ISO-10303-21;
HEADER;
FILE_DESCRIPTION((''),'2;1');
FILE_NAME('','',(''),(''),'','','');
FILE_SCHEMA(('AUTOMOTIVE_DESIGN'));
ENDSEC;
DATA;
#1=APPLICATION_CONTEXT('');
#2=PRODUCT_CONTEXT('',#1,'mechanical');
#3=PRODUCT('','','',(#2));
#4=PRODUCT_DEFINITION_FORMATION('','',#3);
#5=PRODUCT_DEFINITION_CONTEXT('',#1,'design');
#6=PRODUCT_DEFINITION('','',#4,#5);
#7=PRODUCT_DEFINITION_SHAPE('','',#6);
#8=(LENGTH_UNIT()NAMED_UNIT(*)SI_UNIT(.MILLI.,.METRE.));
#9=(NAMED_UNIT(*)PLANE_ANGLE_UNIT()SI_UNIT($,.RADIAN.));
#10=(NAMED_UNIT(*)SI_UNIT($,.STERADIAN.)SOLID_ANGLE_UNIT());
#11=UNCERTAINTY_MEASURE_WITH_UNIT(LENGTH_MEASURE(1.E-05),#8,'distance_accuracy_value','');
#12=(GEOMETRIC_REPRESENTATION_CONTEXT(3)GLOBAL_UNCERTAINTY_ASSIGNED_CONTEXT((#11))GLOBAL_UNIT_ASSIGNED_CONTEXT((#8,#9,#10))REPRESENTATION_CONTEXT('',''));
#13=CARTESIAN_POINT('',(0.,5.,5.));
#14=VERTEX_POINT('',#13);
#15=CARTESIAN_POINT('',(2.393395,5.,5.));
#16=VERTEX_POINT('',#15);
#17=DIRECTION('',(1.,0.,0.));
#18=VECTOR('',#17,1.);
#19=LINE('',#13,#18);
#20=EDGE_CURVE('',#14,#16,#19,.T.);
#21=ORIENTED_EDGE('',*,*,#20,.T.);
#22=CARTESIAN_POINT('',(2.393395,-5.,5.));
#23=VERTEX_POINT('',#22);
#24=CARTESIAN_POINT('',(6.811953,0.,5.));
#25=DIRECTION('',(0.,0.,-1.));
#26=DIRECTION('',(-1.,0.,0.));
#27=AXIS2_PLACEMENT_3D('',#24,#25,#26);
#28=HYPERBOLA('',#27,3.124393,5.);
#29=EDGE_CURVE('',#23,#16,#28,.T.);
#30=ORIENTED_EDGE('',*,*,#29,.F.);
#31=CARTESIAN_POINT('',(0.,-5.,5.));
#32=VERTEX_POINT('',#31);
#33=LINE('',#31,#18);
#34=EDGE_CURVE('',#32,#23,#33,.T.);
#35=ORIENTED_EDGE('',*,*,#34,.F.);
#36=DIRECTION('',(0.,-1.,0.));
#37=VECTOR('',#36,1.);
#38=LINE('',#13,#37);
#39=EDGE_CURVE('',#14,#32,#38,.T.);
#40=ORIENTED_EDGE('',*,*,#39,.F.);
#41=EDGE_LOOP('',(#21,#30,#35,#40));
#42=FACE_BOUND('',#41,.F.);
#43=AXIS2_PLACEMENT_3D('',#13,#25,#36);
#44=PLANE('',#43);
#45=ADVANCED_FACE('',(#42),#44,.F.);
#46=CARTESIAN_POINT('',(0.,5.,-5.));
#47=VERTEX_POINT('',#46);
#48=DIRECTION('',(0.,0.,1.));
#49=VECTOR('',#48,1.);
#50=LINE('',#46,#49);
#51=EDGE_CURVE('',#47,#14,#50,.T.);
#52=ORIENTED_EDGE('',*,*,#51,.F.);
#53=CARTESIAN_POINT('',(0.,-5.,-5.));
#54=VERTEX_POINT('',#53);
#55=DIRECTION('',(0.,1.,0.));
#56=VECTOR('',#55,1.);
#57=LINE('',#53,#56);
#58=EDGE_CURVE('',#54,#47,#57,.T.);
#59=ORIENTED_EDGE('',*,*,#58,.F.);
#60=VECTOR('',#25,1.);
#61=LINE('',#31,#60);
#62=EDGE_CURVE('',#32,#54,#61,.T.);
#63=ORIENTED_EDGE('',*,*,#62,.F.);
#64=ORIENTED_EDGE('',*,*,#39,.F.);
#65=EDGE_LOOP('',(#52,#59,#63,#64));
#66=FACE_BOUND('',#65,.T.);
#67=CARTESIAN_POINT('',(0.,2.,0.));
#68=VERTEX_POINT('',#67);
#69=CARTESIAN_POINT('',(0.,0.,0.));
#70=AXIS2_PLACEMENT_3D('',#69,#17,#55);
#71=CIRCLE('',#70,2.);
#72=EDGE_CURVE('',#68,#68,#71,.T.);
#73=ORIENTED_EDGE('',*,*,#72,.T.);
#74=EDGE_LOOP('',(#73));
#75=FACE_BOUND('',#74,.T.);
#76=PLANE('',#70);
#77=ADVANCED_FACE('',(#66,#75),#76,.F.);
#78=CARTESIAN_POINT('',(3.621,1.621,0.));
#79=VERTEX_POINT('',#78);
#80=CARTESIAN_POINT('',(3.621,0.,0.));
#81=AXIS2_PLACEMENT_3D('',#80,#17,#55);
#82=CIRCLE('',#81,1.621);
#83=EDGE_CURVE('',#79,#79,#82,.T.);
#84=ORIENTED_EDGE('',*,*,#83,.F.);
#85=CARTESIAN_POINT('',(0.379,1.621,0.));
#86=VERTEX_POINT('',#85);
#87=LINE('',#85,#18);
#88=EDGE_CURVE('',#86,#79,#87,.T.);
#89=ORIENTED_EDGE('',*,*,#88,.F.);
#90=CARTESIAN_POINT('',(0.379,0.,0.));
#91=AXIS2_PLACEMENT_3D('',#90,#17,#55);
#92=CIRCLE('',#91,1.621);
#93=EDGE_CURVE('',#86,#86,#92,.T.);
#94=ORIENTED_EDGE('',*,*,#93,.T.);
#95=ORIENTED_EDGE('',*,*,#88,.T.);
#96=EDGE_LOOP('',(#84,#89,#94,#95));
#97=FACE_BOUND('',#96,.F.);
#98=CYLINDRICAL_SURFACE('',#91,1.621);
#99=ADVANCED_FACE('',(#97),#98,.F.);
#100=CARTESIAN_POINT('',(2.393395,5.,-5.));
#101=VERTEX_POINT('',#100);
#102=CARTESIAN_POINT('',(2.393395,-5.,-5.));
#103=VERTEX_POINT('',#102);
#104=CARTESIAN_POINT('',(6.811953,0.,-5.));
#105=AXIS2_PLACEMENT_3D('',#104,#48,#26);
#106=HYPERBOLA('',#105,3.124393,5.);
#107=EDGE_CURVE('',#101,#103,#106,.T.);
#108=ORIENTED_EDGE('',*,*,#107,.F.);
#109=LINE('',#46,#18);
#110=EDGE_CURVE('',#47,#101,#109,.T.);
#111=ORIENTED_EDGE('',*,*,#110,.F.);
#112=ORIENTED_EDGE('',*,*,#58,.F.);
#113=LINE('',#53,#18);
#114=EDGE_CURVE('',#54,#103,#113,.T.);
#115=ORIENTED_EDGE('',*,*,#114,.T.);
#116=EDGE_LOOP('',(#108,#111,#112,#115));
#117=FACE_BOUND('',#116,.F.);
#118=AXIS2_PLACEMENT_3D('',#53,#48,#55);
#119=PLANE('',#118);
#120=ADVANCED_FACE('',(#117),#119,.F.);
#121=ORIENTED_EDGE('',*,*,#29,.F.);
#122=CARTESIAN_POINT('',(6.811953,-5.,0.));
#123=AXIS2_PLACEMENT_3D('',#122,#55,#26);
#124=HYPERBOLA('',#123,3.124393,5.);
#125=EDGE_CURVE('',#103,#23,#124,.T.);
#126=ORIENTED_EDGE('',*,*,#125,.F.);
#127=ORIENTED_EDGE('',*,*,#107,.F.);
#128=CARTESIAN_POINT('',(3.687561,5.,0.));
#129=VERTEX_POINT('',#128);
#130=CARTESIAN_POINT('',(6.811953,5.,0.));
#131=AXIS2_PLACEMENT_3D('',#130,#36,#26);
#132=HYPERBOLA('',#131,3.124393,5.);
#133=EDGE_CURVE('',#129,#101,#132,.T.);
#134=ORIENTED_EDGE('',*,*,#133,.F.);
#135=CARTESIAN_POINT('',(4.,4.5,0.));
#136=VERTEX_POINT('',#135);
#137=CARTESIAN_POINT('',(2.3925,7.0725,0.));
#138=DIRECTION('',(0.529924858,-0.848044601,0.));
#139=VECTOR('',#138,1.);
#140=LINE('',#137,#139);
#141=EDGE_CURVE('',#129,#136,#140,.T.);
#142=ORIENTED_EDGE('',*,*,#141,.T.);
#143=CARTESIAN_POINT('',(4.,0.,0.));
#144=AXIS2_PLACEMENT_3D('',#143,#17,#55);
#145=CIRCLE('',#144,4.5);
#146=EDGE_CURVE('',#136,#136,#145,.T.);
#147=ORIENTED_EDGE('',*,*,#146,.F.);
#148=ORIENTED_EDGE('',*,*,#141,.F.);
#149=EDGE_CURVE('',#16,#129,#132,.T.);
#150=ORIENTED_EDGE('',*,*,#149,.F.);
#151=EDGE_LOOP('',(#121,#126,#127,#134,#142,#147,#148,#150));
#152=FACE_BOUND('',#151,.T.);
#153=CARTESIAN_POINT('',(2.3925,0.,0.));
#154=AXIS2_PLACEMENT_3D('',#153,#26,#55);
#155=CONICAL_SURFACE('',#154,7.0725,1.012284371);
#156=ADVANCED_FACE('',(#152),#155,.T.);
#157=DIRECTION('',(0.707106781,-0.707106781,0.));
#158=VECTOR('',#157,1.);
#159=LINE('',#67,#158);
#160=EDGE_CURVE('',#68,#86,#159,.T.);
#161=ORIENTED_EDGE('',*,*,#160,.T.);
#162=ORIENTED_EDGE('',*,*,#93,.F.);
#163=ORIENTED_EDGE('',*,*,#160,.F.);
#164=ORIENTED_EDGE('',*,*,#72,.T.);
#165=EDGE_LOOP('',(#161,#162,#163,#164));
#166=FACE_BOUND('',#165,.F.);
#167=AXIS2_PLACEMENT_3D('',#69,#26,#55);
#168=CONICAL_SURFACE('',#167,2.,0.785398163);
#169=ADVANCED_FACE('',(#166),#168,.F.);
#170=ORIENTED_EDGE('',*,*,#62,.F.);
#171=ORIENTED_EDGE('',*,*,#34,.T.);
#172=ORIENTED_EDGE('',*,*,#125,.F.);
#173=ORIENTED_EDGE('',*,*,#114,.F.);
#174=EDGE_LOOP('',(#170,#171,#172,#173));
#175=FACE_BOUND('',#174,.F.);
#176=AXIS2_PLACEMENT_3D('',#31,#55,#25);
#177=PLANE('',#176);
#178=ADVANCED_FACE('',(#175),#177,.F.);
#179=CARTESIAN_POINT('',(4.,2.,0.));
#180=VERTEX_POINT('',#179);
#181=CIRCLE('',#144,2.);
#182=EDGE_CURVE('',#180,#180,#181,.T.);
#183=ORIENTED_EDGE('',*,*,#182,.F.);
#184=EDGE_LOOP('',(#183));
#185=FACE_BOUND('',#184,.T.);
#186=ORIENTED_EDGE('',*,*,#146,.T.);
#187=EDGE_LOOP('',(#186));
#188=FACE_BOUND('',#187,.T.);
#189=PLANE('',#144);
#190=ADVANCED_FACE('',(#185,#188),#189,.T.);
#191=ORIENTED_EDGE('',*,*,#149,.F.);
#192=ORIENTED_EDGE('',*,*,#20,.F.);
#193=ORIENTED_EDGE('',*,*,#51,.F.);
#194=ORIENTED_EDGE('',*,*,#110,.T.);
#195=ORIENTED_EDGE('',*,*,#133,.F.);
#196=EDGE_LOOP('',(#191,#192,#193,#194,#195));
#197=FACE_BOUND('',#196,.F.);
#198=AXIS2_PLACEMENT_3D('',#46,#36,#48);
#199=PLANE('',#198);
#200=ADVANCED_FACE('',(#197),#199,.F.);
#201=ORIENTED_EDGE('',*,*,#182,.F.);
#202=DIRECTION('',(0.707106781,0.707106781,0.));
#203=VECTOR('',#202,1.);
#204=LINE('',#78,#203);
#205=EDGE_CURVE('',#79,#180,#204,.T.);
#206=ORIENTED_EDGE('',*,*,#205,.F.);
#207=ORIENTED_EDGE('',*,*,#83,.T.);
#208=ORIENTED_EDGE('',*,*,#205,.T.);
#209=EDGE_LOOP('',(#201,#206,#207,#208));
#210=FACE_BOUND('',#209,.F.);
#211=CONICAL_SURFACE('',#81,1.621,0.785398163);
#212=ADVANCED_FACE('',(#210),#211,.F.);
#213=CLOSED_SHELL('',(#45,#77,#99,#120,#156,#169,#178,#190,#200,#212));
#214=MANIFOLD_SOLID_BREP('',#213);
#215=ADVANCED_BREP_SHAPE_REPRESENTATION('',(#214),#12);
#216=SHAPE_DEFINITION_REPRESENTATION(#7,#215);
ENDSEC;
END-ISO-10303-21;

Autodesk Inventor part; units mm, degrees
ref_plane "YZ Plane" through (0, 0, 0) normal (1, 0, 0) x (0, 1, 0)
ref_plane "XZ Plane" through (0, 0, 0) normal (0, 1, 0) x (-1, 0, 0)
ref_plane "XY Plane" through (0, 0, 0) normal (0, 0, 1) x (1, 0, 0)
sketch "Skizze_1" plane through (0, 0, 0) normal (0, 0, 1) x (1, 0, 0)
  line L0 (4, 0) -> (0, 0)
  line L1 (0, 0) -> (0, 7.0725)
  line L2 (0, 7.0725) -> (2.3925, 7.0725)
  line L3 (2.3925, 7.0725) -> (4, 4.5)
  line L4 (4, 4.5) -> (4, 0)
  line L5 (4, 0) -> (0, 0)
revolve "Revolution1" add sketch "Skizze_1" angle 360 about axis through (4, 0, 0) along (1, 0, 0)
sketch "Skizze_2" plane through (0, 0, 0) normal (0, 0, 1) x (1, 0, 0)
  line L0 (4, 0) -> (0, 0)
  line L1 (0, 0) -> (0, 2)
  line L2 (0, 2) -> (0.379, 1.621)
  line L3 (0.379, 1.621) -> (3.621, 1.621)
  line L4 (3.621, 1.621) -> (4, 2)
  line L5 (4, 2) -> (4, 0)
  line L6 (4, 0) -> (0, 0)
revolve "Revolution2" cut sketch "Skizze_2" angle 360 about axis through (4, 0, 0) along (1, 0, 0)
thread "Thread1" size "M4x0.7" class "6H" standard "ISO Metric profile" full length
sketch "Skizze_3" plane through (0, 0, 0) normal (1, 0, 0) x (0, 1, 0)
  line L0 (10, 10) -> (-10, 10)
  line L1 (-10, 10) -> (-10, -10)
  line L2 (-10, -10) -> (10, -10)
  line L3 (10, -10) -> (10, 10)
  line L4 (5, 5) -> (-5, 5)
  line L5 (-5, 5) -> (-5, -5)
  line L6 (-5, -5) -> (5, -5)
  line L7 (5, -5) -> (5, 5)
extrude "Extrusion1" cut sketch "Skizze_3" along normal blind 4
properties part number "25.50.0540"
